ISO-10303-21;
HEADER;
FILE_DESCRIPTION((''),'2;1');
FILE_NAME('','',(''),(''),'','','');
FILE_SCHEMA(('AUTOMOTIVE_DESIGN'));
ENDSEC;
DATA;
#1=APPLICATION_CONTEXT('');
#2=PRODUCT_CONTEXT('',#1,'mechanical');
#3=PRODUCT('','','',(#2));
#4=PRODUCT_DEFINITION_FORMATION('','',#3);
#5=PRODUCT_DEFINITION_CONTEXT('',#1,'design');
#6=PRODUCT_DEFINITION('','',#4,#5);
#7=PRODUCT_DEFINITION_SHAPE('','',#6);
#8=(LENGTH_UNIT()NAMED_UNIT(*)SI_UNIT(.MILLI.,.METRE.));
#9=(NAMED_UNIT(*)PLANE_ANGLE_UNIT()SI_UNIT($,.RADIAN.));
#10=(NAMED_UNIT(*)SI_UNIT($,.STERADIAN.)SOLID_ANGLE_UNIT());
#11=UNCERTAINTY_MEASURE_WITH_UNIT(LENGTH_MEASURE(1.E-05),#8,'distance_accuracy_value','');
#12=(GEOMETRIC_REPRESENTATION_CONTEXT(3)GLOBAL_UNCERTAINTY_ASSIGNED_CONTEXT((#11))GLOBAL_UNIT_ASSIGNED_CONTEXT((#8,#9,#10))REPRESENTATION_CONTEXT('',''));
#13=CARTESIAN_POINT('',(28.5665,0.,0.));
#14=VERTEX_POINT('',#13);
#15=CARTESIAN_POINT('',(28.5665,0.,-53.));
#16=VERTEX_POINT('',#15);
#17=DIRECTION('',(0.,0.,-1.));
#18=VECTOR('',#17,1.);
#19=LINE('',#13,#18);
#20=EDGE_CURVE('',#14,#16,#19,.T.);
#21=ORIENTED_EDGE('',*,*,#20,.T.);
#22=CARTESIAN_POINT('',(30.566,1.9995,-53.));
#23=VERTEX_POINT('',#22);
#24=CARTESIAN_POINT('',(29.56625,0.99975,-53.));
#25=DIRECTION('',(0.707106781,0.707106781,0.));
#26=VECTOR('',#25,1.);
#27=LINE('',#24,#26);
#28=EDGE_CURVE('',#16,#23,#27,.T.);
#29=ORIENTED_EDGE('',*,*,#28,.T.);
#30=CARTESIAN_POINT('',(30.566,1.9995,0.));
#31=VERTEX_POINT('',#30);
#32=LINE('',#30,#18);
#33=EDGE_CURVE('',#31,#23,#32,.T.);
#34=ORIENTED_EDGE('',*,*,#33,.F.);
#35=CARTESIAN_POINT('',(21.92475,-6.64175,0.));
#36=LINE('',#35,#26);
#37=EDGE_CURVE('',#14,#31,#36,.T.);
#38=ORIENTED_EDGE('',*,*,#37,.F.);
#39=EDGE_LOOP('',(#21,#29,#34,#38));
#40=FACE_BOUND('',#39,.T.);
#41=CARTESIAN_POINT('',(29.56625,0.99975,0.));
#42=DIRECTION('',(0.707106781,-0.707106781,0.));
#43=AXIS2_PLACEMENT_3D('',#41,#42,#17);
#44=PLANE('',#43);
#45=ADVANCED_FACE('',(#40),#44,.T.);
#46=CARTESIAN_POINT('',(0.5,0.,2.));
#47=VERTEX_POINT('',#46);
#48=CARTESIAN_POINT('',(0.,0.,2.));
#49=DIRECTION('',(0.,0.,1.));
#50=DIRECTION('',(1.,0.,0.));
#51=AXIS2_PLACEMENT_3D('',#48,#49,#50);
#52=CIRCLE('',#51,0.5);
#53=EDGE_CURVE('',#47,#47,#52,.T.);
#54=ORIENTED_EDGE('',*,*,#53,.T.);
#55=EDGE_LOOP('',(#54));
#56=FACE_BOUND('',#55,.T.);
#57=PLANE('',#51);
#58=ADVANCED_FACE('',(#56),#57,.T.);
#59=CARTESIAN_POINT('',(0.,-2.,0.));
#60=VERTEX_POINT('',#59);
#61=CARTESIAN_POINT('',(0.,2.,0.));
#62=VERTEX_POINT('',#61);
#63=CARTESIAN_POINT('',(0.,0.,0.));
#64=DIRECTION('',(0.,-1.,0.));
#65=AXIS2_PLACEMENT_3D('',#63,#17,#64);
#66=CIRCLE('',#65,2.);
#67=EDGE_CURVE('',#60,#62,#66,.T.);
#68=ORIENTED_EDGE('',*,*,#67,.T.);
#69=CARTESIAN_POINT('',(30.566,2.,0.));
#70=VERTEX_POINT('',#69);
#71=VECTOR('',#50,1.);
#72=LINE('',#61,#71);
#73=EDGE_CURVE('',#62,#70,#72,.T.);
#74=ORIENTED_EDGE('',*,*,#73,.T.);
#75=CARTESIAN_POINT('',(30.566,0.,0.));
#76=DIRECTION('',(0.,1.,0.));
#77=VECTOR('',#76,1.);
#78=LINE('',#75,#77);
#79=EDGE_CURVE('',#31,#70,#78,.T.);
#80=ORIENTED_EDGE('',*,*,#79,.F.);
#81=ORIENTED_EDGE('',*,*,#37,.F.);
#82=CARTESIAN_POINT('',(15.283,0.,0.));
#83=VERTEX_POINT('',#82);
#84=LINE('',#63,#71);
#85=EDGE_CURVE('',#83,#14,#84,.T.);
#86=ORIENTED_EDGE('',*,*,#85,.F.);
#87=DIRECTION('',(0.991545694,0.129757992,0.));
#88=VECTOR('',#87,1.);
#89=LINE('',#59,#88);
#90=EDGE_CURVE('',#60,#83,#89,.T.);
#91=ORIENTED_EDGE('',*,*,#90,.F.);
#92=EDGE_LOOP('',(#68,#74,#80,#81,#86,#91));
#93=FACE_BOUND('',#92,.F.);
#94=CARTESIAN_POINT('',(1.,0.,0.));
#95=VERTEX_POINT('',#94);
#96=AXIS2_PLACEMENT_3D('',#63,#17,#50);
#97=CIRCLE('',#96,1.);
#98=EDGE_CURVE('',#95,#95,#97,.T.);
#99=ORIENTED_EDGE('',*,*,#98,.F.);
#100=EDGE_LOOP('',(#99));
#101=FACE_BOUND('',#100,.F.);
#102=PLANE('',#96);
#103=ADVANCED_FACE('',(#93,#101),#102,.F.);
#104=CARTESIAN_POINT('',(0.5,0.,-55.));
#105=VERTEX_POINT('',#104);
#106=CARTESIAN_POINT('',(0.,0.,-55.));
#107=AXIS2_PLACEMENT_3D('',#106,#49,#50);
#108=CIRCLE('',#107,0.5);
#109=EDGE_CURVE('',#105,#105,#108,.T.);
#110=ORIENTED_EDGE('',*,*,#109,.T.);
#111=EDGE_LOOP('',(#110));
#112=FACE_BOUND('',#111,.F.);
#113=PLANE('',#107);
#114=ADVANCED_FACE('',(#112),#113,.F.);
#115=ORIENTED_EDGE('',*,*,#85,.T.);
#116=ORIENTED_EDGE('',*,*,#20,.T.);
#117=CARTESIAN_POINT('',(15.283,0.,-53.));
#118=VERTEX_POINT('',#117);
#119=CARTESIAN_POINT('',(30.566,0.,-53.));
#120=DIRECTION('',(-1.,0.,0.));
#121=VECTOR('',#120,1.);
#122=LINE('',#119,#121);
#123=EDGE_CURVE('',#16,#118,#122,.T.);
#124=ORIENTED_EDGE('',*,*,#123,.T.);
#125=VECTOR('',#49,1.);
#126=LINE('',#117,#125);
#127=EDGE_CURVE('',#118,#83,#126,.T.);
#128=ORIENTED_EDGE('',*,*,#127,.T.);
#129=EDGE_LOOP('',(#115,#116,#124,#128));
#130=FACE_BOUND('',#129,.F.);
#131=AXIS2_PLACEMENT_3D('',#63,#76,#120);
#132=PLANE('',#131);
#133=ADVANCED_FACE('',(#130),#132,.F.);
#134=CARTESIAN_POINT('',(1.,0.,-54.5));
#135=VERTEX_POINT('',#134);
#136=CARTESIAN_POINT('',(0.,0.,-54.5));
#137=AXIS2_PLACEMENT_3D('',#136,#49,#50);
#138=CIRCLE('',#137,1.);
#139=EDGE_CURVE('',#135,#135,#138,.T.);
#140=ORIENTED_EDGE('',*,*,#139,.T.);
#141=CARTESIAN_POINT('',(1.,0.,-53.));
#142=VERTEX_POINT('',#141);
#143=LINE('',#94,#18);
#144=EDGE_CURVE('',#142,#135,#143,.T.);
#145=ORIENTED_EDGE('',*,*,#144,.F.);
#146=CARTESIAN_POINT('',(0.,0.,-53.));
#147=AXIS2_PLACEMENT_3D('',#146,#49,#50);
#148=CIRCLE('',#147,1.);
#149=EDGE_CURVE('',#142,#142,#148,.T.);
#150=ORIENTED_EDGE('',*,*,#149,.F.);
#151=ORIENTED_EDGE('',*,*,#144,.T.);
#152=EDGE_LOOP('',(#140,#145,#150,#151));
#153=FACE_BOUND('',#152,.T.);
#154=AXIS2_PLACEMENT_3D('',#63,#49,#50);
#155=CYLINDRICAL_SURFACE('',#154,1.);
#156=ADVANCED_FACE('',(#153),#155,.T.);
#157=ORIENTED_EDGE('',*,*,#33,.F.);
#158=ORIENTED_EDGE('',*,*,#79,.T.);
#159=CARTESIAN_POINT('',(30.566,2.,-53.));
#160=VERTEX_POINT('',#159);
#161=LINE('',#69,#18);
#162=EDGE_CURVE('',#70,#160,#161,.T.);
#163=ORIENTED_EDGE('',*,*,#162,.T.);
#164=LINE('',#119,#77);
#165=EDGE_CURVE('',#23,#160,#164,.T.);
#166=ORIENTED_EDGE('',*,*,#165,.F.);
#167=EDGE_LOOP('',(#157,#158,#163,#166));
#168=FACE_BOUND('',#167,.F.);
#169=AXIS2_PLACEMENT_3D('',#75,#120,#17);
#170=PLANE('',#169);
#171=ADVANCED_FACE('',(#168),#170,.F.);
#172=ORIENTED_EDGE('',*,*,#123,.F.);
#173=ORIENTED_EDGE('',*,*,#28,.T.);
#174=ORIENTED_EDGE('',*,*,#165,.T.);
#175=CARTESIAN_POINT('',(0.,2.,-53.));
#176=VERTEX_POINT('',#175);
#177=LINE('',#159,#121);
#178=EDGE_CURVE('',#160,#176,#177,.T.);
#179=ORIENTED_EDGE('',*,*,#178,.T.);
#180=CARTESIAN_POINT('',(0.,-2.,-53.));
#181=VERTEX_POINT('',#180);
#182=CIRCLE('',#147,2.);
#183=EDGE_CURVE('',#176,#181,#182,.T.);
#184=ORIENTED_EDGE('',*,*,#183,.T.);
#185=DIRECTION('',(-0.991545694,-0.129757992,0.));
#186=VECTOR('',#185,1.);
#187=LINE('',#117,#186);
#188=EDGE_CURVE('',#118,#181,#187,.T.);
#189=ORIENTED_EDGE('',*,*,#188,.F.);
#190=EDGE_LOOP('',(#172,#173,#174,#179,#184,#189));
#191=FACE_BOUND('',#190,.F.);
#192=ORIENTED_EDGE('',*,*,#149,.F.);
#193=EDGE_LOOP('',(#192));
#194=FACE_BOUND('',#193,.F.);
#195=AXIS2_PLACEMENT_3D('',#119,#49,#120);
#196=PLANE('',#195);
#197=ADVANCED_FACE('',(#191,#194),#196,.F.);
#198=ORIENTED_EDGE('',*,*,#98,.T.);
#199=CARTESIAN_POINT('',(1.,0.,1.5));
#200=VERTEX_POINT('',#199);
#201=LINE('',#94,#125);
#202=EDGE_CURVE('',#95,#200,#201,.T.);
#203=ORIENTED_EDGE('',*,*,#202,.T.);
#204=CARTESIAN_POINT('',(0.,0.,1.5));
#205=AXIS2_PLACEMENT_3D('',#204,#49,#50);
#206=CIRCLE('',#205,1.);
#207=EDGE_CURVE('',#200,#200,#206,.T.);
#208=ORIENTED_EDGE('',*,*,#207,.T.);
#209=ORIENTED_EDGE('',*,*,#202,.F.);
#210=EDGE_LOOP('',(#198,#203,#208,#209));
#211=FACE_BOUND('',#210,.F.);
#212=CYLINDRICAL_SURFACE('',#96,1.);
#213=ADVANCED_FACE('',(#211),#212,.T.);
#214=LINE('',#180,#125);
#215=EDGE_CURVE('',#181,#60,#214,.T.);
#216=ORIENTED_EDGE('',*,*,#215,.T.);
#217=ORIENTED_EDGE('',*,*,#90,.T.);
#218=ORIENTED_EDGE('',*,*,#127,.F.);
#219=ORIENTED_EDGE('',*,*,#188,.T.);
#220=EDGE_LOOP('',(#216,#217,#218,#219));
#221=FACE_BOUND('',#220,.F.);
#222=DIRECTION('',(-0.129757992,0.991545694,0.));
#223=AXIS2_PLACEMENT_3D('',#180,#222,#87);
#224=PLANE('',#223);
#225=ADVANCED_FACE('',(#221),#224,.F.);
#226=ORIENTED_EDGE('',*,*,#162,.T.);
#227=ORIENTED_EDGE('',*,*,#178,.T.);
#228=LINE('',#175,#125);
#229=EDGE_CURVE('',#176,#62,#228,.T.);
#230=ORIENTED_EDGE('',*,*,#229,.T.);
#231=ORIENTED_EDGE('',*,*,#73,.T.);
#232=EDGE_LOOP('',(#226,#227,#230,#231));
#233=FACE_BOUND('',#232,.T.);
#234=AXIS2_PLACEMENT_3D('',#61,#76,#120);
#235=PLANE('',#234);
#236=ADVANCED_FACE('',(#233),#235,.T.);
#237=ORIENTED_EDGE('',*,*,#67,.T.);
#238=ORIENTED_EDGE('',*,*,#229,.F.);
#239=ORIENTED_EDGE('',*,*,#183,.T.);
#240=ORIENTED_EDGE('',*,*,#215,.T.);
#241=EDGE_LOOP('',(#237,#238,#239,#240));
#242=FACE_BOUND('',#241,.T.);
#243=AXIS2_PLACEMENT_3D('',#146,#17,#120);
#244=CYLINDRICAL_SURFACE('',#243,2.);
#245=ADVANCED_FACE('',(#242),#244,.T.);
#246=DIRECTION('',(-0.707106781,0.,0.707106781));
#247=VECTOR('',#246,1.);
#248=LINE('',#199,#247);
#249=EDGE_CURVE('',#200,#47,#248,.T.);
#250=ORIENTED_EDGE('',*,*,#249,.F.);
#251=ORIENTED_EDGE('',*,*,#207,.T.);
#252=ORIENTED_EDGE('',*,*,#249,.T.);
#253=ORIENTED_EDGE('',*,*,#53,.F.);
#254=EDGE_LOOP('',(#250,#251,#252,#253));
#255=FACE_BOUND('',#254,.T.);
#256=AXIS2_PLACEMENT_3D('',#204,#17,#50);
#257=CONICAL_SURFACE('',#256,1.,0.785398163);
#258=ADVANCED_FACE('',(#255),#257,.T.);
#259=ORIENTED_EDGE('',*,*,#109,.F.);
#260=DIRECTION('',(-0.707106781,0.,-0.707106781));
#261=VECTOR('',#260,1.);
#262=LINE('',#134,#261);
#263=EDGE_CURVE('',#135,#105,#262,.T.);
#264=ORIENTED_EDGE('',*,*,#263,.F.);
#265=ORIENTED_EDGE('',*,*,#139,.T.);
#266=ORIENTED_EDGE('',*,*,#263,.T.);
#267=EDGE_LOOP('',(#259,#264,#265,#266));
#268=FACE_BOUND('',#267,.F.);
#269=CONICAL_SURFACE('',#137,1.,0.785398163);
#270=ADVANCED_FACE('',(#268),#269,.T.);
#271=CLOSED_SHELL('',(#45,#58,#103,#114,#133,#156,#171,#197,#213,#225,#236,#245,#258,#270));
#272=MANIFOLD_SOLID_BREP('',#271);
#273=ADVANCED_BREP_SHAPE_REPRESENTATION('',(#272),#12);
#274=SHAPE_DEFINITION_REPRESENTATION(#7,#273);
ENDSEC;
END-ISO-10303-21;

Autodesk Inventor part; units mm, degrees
ref_plane "YZ Plane" through (0, 0, 0) normal (1, 0, 0) x (0, 1, 0)
ref_plane "XZ Plane" through (0, 0, 0) normal (0, 1, 0) x (-1, 0, 0)
ref_plane "XY Plane" through (0, 0, 0) normal (0, 0, 1) x (1, 0, 0)
sketch "Sketch1" plane through (0, 0, 0) normal (0, 1, 0) x (-1, 0, 0)
  line L0 (0, 0) -> (-30.566, 0)
  line L1 (-30.566, 0) -> (-30.566, -53)
  line L2 (-30.566, -53) -> (0, -53)
  line L3 (0, -53) -> (0, 0)
  dimension "d0" = 30.566
  dimension "d1" = 53
extrude "Extrusion1" add sketch "Sketch1" along normal blind 2
ref_plane "Work Plane1" through (30.566, 0, -23) normal (0, 0, -1) x (-1, 0, 0)
sketch "Sketch2" plane through (30.566, 0, -23) normal (0, 0, -1) x (-1, 0, 0)
  point P0 (30.566, 0)
sketch "Sketch3" plane through (30.566, 0, -53) normal (0, 0, -1) x (-1, 0, 0)
  circle A0 centre (30.566, 0) radius 1
  circle A1 centre (30.566, 0) radius 2
  line L0 (30.566, -2) -> (15.283, 0)
  line L1 (15.283, 0) -> (28.566, 0)
  line L2 (0, 0) -> (30.566, 0) projected
  dimension "d5" = 2
  dimension "d6" = 4
extrude "Extrusion2" add sketch "Sketch3" against normal blind 53 contours A1 L0 | A1 L0 L1 picked at (30.3543, -1.6418)
sketch "Sketch4" plane through (30.566, 0, -53) normal (0, 0, -1) x (-1, 0, 0)
  arc A0 (29.566, 0) -> (30.566, 1) centre (30.566, 0) ccw projected
  circle A1 centre (30.566, 0) radius 1
  point P0 (30.566, 1)
extrude "Extrusion3" cut sketch "Sketch4" against normal blind 53
chamfer "Chamfer2" distance 2 angle 45 1 edges at (30.566, 0, -26.5)
sketch "Sketch5" plane through (0, 0, 0) normal (0, 0, 1) x (1, 0, 0)
  circle A0 centre (0, 0) radius 1
extrude "Extrusion4" add sketch "Sketch5" along normal blind 2 and the other way blind 55
chamfer "Chamfer3" distance 0.5 angle 45 1 edges at (-1, 0, 2)
chamfer "Chamfer4" distance 0.5 angle 45 1 edges at (-1, 0, -55)
equation "\"BendRadius\" = Thickness"
equation "\"BendReliefWidth\" = Thickness"
equation "\"BendReliefDepth\" = 0.5 * Thickness"
equation "\"CornerReliefSize\" = 4 * Thickness"
equation "\"MinimumRemnant\" = 2 * Thickness"
equation "\"TransitionRadius\" = BendRadius"
equation "\"JacobiRadiusSize\" = BendRadius"
equation "\"GapSize\" = Thickness"
equation "\"Thickness\" = 0.5"
properties part number "Part7v2"
